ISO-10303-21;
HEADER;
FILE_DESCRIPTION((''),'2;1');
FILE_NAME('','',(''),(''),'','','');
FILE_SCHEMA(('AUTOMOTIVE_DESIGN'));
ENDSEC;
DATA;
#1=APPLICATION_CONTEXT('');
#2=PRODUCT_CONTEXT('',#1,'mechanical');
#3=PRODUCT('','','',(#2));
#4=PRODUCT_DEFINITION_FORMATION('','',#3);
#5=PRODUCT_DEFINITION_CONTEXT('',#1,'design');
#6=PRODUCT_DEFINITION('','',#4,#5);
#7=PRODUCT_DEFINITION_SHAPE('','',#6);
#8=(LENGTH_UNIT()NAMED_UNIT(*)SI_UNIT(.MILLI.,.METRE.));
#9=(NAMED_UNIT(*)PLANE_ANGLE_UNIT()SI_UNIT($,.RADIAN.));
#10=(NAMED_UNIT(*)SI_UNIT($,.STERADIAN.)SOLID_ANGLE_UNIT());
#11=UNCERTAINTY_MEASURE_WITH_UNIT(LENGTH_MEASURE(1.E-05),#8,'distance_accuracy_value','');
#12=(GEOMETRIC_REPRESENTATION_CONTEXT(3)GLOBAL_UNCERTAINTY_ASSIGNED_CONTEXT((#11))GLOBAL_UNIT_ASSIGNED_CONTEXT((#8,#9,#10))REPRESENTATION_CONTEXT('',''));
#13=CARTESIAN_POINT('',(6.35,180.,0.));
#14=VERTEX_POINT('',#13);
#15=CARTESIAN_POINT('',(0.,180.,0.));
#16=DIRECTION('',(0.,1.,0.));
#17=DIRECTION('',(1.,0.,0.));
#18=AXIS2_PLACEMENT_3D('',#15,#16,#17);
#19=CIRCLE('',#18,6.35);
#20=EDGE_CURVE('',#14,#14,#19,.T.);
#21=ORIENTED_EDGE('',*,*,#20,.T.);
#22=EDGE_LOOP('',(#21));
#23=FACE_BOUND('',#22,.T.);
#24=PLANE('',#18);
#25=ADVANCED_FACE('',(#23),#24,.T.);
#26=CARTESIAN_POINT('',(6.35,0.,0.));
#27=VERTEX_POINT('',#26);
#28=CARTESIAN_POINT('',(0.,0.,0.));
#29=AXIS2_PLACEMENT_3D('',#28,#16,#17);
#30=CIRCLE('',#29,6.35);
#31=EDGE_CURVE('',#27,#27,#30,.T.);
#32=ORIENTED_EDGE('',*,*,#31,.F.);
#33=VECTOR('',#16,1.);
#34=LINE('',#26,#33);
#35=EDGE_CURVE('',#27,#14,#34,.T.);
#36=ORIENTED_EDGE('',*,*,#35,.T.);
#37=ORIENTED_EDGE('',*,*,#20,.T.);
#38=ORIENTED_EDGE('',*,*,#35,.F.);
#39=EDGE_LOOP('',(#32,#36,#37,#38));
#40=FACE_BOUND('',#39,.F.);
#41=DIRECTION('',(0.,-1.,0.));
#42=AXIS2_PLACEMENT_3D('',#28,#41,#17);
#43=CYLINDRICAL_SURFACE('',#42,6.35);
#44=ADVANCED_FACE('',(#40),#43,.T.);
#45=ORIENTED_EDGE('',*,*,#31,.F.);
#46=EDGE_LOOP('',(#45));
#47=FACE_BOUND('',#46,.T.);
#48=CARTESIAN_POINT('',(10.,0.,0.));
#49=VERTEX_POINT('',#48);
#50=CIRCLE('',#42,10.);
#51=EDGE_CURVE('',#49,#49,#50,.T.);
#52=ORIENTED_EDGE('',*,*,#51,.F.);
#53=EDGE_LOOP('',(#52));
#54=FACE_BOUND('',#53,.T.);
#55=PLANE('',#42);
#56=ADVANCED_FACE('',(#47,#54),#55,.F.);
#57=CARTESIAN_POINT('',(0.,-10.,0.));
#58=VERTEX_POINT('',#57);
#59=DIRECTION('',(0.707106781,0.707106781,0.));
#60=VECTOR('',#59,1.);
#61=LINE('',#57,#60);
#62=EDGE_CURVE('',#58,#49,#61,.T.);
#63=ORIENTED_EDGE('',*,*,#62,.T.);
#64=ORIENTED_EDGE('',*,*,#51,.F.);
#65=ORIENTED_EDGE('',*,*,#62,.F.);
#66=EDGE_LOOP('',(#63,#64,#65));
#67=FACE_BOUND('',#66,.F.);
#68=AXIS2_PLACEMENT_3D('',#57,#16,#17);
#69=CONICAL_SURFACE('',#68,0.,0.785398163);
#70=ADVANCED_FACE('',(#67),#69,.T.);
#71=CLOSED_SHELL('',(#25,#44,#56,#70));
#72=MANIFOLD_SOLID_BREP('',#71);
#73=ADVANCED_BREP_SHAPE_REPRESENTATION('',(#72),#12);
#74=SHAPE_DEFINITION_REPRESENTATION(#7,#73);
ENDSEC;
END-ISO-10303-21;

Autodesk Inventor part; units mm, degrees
ref_plane "YZ Plane" through (0, 0, 0) normal (1, 0, 0) x (0, 1, 0)
ref_plane "XZ Plane" through (0, 0, 0) normal (0, 1, 0) x (-1, 0, 0)
ref_plane "XY Plane" through (0, 0, 0) normal (0, 0, 1) x (1, 0, 0)
sketch "Sketch1" plane through (0, 0, 0) normal (0, 0, 1) x (1, 0, 0)
  line L0 (0, 0) -> (10, 0)
  line L1 (0, 0) -> (0, -10)
  line L2 (0, -10) -> (10, 0)
  dimension "d0" = 10
  dimension "d1" = 10
revolve "Revolution1" add sketch "Sketch1" angle 360 about axis through (0, 0, 0) along (0, -1, 0)
sketch "Sketch2" plane through (0, 0, 0) normal (0, 1, 0) x (1, 0, 0)
  circle A0 centre (0, 0) radius 6.35
  dimension "d3" = 12.7
extrude "Extrusion1" add sketch "Sketch2" along normal blind 180
thread "Thread1" size "M14x2" class "6g" standard "ANSI Metric M Profile" full length
properties part number "Digging Tool"
